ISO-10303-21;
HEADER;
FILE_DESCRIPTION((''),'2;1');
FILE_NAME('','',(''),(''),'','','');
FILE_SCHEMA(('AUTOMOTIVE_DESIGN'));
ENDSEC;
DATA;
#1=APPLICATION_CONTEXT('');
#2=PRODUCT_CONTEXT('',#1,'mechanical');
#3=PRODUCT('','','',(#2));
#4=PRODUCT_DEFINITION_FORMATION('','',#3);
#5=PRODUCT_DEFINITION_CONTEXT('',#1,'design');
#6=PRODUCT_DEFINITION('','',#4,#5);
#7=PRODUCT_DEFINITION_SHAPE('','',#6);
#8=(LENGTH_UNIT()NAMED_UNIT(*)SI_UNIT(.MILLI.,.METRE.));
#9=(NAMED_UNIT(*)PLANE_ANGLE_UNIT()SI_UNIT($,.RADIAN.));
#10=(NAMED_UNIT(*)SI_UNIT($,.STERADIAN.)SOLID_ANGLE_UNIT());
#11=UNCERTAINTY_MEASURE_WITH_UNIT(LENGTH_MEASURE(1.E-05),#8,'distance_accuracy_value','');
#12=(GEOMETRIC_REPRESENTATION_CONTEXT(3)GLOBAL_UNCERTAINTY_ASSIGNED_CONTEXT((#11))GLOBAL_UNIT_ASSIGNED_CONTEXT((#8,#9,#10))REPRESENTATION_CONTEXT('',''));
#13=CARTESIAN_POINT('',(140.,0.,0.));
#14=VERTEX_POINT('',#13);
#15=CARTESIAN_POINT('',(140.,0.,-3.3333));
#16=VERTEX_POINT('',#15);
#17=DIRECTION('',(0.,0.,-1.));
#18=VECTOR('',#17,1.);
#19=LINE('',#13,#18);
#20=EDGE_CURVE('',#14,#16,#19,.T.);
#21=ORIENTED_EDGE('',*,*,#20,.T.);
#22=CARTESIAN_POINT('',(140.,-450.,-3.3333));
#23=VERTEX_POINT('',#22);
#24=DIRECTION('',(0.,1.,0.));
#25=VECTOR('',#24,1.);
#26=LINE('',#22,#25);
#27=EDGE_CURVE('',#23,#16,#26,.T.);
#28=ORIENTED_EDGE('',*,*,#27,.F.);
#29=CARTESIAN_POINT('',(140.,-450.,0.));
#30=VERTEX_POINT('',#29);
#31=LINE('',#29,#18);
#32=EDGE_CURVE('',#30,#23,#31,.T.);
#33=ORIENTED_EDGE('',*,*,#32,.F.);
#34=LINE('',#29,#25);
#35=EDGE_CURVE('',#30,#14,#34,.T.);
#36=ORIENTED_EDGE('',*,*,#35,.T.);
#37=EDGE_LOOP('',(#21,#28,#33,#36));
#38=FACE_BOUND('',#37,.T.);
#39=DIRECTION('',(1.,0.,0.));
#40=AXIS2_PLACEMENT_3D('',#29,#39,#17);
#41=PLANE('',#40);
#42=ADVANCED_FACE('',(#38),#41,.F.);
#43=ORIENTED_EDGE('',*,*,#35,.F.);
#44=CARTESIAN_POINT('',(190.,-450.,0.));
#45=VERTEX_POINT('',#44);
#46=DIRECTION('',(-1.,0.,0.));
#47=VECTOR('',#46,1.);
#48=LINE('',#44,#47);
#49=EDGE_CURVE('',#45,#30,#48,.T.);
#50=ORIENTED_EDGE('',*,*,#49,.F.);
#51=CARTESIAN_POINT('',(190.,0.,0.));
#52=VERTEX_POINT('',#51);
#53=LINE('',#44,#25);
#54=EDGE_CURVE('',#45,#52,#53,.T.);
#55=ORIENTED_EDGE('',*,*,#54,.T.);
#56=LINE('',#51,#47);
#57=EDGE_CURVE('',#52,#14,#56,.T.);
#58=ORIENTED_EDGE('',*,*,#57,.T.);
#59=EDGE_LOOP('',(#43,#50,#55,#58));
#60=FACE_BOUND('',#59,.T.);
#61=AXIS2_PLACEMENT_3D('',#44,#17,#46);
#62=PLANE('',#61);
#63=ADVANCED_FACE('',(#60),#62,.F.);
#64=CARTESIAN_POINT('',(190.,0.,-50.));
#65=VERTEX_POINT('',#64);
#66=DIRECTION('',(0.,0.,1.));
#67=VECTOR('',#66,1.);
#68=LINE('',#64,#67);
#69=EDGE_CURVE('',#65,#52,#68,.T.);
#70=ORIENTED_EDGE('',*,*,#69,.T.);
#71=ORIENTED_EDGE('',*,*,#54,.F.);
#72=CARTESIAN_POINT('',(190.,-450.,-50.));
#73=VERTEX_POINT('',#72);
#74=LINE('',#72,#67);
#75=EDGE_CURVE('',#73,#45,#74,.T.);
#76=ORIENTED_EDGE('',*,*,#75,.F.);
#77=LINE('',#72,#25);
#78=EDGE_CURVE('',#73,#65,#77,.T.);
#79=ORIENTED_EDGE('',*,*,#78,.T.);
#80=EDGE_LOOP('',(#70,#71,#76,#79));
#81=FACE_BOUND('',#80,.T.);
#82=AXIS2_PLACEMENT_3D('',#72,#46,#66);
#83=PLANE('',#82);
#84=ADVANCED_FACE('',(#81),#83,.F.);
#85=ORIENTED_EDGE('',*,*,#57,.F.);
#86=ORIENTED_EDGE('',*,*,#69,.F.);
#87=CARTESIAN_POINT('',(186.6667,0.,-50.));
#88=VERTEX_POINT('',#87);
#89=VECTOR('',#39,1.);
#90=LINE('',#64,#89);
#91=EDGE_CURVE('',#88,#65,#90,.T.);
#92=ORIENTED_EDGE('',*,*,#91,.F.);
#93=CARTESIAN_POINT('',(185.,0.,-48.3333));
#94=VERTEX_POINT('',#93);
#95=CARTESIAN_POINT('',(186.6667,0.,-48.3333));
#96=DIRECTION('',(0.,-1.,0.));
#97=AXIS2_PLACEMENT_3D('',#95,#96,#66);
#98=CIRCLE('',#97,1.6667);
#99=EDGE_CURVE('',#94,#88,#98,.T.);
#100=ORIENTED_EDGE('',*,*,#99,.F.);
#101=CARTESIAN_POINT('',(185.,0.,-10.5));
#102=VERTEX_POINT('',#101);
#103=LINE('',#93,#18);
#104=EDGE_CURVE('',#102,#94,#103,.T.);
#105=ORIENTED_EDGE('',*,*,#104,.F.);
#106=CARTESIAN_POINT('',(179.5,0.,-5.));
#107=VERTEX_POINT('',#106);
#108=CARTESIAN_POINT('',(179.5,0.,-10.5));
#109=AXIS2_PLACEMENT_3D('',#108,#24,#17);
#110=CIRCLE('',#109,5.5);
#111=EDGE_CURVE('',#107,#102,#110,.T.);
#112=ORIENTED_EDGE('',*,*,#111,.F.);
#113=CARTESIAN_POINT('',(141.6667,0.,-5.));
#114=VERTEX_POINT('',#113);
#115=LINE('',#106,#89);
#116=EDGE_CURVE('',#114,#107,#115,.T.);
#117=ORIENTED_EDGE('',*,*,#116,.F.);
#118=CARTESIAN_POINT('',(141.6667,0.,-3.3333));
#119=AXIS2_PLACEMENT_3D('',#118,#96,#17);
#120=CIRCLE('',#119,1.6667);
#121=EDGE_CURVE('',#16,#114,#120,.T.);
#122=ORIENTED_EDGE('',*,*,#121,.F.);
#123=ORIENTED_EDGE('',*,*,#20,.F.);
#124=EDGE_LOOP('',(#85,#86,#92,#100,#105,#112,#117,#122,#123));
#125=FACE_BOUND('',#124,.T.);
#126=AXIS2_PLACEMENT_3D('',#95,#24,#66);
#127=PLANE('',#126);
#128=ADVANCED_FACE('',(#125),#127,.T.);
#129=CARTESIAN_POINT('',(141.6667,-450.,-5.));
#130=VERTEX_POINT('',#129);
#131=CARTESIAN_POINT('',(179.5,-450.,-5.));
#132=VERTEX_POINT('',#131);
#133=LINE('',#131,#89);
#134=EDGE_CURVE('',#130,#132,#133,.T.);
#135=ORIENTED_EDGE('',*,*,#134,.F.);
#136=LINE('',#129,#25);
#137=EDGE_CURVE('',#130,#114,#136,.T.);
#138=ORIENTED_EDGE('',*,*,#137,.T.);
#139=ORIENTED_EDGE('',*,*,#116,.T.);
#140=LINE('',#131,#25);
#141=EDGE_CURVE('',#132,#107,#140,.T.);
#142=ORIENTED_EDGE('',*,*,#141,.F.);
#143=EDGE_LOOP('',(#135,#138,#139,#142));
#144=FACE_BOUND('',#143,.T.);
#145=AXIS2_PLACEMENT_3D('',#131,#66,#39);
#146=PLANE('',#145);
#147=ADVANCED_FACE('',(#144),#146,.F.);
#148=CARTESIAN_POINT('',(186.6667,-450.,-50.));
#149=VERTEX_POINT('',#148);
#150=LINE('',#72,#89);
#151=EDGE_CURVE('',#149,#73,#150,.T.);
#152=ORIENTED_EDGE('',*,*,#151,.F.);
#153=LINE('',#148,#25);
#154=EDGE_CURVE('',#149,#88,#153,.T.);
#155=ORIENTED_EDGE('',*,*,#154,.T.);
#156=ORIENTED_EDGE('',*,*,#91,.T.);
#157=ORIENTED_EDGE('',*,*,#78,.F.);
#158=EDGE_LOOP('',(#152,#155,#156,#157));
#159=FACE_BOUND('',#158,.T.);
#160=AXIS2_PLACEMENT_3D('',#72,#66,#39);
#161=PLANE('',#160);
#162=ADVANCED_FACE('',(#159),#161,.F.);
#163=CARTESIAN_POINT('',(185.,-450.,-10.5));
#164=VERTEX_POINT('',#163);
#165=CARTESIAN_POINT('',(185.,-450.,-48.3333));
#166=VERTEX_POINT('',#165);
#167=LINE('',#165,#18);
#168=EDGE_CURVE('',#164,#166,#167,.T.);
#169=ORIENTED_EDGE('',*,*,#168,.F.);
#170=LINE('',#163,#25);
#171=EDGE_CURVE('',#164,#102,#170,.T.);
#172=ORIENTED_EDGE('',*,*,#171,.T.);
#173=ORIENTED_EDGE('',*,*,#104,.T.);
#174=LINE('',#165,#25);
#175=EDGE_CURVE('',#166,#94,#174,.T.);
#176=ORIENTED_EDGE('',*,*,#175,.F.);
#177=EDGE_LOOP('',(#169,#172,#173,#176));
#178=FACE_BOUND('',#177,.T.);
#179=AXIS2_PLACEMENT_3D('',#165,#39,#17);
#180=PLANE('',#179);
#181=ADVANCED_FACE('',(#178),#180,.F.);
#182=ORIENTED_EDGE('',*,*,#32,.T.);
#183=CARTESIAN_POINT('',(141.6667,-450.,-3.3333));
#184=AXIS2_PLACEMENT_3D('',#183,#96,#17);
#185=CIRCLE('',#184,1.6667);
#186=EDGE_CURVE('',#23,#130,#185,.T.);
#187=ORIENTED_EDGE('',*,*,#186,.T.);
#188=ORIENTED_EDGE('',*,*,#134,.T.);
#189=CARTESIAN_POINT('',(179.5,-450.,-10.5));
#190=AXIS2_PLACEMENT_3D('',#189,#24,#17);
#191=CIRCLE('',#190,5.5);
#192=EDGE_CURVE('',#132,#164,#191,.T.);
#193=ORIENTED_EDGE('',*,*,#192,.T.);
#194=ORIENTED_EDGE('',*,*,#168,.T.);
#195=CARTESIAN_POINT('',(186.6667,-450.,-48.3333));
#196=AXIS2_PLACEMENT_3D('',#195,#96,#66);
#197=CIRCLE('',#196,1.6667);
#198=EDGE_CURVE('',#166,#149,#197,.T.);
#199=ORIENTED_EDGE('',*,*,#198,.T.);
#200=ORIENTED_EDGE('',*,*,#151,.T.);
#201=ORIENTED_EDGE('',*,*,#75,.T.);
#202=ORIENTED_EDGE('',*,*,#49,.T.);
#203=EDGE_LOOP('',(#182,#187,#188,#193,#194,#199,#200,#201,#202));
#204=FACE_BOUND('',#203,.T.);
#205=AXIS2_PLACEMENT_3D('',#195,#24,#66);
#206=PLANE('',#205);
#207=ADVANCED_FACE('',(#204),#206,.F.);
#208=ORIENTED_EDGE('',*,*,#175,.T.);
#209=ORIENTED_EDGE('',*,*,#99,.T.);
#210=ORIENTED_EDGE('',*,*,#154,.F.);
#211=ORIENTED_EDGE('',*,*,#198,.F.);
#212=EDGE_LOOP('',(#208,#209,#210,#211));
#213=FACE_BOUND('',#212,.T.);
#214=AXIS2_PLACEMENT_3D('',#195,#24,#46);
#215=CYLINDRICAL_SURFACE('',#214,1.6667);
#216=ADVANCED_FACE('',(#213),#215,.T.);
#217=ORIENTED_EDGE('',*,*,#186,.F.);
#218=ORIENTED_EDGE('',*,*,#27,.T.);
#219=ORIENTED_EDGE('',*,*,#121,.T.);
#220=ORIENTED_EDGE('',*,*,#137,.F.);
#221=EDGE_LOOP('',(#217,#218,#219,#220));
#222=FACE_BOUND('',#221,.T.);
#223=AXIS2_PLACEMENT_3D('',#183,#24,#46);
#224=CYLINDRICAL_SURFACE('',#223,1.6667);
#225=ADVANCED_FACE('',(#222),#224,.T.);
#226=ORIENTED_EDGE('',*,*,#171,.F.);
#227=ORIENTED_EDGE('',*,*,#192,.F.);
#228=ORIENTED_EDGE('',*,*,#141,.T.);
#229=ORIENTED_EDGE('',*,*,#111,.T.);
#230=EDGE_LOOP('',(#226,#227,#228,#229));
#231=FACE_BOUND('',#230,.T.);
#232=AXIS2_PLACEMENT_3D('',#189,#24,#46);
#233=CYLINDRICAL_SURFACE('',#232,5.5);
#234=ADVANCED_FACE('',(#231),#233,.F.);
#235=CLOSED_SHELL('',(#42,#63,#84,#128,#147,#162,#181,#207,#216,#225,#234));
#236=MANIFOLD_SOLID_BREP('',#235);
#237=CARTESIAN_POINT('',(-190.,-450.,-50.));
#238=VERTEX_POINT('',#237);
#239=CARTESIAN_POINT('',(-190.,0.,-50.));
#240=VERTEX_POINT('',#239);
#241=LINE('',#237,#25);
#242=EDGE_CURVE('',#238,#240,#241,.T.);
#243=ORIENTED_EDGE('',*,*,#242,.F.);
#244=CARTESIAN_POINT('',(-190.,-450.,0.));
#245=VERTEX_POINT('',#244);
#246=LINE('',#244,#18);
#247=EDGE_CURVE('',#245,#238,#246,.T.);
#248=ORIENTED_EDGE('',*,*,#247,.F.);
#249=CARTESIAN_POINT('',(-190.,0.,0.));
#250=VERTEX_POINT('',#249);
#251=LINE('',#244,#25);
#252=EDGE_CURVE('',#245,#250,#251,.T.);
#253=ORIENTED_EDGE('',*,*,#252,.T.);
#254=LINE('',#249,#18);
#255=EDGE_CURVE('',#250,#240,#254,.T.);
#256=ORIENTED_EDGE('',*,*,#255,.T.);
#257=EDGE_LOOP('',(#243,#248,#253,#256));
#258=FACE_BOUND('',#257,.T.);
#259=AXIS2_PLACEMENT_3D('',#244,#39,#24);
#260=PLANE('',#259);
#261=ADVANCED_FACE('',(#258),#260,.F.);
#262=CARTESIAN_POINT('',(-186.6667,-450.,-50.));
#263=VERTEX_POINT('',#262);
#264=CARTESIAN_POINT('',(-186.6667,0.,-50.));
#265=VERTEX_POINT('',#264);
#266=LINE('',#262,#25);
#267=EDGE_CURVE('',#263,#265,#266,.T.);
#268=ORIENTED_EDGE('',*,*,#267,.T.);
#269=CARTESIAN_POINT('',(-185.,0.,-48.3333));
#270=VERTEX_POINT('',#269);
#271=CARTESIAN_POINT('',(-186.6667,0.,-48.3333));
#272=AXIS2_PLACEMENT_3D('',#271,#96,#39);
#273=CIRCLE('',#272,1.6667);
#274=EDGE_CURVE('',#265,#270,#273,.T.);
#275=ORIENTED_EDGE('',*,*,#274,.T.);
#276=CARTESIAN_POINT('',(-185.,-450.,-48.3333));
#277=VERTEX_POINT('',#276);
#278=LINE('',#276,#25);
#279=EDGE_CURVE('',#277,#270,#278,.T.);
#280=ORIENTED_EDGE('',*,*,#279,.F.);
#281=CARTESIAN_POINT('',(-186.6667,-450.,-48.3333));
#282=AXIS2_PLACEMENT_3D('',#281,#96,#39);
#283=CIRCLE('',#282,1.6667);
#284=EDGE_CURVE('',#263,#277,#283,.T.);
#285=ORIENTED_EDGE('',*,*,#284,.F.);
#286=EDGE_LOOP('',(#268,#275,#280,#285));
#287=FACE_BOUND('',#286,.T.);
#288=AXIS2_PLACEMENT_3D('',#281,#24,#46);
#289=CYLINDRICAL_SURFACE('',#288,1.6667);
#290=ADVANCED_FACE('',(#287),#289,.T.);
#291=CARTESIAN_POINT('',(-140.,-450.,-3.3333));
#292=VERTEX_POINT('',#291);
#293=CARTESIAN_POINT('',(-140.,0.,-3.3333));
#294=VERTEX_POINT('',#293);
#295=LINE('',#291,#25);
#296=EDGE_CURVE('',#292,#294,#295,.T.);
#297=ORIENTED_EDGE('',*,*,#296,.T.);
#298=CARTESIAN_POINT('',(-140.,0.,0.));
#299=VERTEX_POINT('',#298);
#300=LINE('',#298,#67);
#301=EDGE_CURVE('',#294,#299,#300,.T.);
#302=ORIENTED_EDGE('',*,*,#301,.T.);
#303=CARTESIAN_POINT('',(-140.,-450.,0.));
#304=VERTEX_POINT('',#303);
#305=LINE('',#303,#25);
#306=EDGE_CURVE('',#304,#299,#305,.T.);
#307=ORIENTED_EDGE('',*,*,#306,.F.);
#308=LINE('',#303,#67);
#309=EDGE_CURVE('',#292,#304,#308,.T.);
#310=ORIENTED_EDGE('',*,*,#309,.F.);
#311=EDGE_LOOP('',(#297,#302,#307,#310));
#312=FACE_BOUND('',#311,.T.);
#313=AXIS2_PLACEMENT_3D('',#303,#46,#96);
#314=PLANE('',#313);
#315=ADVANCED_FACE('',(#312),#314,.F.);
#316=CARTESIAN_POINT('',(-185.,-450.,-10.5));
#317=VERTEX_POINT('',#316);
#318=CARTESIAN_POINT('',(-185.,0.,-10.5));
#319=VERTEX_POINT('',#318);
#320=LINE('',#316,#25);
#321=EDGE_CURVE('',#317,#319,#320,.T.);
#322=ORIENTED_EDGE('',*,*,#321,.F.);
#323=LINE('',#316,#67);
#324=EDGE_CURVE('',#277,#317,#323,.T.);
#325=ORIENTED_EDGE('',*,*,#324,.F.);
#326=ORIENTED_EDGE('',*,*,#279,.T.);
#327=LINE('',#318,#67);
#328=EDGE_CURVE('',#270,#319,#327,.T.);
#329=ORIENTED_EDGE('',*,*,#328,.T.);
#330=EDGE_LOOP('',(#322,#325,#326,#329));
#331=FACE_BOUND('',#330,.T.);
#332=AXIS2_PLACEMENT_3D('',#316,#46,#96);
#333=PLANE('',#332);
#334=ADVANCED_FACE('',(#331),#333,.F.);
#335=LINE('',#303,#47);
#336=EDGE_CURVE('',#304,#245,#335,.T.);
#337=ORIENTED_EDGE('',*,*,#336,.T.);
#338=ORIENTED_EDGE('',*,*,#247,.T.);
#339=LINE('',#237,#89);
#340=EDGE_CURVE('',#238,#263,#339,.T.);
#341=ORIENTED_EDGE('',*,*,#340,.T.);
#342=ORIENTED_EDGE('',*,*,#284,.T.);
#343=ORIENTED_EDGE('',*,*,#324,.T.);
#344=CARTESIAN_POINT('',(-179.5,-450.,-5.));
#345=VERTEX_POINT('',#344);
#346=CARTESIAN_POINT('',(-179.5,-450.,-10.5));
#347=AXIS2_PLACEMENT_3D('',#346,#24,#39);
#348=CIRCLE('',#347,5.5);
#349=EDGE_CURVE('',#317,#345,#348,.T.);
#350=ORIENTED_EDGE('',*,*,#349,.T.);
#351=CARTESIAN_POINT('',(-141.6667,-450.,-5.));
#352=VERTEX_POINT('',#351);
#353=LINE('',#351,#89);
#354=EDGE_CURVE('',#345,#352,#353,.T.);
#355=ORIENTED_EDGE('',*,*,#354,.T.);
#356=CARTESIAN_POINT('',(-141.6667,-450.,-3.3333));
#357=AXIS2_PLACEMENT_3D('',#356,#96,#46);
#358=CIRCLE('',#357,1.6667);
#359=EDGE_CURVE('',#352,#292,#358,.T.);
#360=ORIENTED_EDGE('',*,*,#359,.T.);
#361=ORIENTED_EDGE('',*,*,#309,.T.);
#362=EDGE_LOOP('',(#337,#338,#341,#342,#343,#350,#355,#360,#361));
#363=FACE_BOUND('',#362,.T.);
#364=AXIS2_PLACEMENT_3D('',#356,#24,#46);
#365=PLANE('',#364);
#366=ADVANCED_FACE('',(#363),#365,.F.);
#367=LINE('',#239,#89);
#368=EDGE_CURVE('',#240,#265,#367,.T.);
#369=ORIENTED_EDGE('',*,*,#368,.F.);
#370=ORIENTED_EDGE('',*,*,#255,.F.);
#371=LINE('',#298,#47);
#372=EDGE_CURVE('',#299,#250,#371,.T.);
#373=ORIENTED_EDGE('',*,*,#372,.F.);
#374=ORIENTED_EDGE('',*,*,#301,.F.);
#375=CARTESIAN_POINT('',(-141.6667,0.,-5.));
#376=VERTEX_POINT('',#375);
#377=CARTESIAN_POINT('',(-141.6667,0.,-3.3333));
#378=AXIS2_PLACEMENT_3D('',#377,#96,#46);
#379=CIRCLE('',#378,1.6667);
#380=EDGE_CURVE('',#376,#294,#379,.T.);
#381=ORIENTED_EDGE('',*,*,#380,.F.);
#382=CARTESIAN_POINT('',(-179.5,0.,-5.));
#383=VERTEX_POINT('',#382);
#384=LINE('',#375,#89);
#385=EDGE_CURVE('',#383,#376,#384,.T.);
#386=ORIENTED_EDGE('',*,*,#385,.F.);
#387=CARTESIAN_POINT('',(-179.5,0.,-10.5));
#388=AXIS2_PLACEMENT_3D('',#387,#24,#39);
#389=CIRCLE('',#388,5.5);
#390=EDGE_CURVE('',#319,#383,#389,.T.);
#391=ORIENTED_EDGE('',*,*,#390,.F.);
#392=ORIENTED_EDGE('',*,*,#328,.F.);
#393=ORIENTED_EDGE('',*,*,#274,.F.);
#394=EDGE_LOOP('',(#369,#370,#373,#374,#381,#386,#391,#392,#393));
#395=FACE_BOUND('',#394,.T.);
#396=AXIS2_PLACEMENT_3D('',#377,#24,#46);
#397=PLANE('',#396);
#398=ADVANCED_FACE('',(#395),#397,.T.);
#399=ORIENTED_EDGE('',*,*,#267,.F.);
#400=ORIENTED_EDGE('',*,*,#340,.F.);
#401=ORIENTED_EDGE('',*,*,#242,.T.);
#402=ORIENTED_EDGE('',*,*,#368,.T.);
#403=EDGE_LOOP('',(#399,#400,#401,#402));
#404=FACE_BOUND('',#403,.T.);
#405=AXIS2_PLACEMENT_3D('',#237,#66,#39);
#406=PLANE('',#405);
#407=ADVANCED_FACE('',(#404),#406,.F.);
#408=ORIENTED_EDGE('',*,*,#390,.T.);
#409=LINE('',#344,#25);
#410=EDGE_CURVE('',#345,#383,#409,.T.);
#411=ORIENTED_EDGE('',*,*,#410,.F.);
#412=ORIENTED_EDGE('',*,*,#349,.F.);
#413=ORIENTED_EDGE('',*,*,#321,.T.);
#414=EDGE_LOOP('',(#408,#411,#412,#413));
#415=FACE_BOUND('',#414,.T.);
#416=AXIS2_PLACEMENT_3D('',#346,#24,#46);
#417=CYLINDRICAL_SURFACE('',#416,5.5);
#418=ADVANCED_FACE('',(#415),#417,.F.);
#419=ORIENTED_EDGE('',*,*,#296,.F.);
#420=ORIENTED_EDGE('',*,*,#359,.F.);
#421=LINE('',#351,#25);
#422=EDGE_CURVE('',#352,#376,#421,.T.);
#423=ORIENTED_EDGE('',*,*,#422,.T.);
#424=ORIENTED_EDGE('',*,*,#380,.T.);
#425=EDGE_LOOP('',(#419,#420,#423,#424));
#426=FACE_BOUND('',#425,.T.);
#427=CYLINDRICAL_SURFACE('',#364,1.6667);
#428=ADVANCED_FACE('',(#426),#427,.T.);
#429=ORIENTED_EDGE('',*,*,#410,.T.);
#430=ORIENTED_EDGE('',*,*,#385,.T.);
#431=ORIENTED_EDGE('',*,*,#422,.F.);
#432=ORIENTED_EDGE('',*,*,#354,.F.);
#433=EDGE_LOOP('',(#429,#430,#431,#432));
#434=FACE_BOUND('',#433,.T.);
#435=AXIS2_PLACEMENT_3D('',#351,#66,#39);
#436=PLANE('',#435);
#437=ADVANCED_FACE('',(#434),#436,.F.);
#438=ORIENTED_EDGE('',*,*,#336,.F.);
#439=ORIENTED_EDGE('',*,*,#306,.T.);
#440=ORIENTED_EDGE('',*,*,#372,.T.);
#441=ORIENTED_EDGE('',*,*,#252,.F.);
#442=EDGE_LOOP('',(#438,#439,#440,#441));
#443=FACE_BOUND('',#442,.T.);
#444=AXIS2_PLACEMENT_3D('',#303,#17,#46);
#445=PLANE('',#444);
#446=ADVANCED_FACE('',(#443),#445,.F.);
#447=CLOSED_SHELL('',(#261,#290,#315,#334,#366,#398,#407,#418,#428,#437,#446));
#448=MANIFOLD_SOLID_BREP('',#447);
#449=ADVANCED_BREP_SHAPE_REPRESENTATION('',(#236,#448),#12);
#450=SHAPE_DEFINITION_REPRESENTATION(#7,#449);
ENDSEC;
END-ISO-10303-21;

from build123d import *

# Parameters (mm, degrees)
L_ANGLE_EQUAL_L_ANGLE_5X5_1_DEPTH   = 450
L_ANGLE_EQUAL_L_ANGLE_5X5_1_2_DEPTH = 450


with BuildPart() as part:
    # Sketch1 → L angle (equal) L ANGLE 5X5(1) (new body)
    with BuildSketch(Plane(origin=(-190, 0, 0), x_dir=(1, 0, 0), z_dir=(0, -1, 0))):
        with BuildLine():
            Line((50, 0), (0, 0))
            Line((0, 0), (0, -50))
            Line((0, -50), (3.3333, -50))
            ThreePointArc((3.3333, -50), (4.511834872, -49.511834872), (5, -48.3333))
            Line((5, -48.3333), (5, -10.5))
            ThreePointArc((5, -10.5), (6.610912703, -6.610912703), (10.5, -5))
            Line((10.5, -5), (48.3333, -5))
            ThreePointArc((48.3333, -5), (49.511834872, -4.511834872), (50, -3.3333))
            Line((50, -3.3333), (50, 0))
        make_face()
    extrude(amount=L_ANGLE_EQUAL_L_ANGLE_5X5_1_DEPTH)


with BuildPart() as body_2:
    # Sketch1 on segment 2 (carried to segment 2) → L angle _equal_ L ANGLE 5X5_1 2 (new body)
    with BuildSketch(Plane(origin=(190, 0, 0), x_dir=(0, 0, -1), z_dir=(0, -1, 0))):
        with BuildLine():
            Line((50, 0), (0, 0))
            Line((0, 0), (0, -50))
            Line((0, -50), (3.3333, -50))
            ThreePointArc((3.3333, -50), (4.511834872, -49.511834872), (5, -48.3333))
            Line((5, -48.3333), (5, -10.5))
            ThreePointArc((5, -10.5), (6.610912703, -6.610912703), (10.5, -5))
            Line((10.5, -5), (48.3333, -5))
            ThreePointArc((48.3333, -5), (49.511834872, -4.511834872), (50, -3.3333))
            Line((50, -3.3333), (50, 0))
        make_face()
    extrude(amount=L_ANGLE_EQUAL_L_ANGLE_5X5_1_2_DEPTH)


solid = Compound([part.part, body_2.part])
